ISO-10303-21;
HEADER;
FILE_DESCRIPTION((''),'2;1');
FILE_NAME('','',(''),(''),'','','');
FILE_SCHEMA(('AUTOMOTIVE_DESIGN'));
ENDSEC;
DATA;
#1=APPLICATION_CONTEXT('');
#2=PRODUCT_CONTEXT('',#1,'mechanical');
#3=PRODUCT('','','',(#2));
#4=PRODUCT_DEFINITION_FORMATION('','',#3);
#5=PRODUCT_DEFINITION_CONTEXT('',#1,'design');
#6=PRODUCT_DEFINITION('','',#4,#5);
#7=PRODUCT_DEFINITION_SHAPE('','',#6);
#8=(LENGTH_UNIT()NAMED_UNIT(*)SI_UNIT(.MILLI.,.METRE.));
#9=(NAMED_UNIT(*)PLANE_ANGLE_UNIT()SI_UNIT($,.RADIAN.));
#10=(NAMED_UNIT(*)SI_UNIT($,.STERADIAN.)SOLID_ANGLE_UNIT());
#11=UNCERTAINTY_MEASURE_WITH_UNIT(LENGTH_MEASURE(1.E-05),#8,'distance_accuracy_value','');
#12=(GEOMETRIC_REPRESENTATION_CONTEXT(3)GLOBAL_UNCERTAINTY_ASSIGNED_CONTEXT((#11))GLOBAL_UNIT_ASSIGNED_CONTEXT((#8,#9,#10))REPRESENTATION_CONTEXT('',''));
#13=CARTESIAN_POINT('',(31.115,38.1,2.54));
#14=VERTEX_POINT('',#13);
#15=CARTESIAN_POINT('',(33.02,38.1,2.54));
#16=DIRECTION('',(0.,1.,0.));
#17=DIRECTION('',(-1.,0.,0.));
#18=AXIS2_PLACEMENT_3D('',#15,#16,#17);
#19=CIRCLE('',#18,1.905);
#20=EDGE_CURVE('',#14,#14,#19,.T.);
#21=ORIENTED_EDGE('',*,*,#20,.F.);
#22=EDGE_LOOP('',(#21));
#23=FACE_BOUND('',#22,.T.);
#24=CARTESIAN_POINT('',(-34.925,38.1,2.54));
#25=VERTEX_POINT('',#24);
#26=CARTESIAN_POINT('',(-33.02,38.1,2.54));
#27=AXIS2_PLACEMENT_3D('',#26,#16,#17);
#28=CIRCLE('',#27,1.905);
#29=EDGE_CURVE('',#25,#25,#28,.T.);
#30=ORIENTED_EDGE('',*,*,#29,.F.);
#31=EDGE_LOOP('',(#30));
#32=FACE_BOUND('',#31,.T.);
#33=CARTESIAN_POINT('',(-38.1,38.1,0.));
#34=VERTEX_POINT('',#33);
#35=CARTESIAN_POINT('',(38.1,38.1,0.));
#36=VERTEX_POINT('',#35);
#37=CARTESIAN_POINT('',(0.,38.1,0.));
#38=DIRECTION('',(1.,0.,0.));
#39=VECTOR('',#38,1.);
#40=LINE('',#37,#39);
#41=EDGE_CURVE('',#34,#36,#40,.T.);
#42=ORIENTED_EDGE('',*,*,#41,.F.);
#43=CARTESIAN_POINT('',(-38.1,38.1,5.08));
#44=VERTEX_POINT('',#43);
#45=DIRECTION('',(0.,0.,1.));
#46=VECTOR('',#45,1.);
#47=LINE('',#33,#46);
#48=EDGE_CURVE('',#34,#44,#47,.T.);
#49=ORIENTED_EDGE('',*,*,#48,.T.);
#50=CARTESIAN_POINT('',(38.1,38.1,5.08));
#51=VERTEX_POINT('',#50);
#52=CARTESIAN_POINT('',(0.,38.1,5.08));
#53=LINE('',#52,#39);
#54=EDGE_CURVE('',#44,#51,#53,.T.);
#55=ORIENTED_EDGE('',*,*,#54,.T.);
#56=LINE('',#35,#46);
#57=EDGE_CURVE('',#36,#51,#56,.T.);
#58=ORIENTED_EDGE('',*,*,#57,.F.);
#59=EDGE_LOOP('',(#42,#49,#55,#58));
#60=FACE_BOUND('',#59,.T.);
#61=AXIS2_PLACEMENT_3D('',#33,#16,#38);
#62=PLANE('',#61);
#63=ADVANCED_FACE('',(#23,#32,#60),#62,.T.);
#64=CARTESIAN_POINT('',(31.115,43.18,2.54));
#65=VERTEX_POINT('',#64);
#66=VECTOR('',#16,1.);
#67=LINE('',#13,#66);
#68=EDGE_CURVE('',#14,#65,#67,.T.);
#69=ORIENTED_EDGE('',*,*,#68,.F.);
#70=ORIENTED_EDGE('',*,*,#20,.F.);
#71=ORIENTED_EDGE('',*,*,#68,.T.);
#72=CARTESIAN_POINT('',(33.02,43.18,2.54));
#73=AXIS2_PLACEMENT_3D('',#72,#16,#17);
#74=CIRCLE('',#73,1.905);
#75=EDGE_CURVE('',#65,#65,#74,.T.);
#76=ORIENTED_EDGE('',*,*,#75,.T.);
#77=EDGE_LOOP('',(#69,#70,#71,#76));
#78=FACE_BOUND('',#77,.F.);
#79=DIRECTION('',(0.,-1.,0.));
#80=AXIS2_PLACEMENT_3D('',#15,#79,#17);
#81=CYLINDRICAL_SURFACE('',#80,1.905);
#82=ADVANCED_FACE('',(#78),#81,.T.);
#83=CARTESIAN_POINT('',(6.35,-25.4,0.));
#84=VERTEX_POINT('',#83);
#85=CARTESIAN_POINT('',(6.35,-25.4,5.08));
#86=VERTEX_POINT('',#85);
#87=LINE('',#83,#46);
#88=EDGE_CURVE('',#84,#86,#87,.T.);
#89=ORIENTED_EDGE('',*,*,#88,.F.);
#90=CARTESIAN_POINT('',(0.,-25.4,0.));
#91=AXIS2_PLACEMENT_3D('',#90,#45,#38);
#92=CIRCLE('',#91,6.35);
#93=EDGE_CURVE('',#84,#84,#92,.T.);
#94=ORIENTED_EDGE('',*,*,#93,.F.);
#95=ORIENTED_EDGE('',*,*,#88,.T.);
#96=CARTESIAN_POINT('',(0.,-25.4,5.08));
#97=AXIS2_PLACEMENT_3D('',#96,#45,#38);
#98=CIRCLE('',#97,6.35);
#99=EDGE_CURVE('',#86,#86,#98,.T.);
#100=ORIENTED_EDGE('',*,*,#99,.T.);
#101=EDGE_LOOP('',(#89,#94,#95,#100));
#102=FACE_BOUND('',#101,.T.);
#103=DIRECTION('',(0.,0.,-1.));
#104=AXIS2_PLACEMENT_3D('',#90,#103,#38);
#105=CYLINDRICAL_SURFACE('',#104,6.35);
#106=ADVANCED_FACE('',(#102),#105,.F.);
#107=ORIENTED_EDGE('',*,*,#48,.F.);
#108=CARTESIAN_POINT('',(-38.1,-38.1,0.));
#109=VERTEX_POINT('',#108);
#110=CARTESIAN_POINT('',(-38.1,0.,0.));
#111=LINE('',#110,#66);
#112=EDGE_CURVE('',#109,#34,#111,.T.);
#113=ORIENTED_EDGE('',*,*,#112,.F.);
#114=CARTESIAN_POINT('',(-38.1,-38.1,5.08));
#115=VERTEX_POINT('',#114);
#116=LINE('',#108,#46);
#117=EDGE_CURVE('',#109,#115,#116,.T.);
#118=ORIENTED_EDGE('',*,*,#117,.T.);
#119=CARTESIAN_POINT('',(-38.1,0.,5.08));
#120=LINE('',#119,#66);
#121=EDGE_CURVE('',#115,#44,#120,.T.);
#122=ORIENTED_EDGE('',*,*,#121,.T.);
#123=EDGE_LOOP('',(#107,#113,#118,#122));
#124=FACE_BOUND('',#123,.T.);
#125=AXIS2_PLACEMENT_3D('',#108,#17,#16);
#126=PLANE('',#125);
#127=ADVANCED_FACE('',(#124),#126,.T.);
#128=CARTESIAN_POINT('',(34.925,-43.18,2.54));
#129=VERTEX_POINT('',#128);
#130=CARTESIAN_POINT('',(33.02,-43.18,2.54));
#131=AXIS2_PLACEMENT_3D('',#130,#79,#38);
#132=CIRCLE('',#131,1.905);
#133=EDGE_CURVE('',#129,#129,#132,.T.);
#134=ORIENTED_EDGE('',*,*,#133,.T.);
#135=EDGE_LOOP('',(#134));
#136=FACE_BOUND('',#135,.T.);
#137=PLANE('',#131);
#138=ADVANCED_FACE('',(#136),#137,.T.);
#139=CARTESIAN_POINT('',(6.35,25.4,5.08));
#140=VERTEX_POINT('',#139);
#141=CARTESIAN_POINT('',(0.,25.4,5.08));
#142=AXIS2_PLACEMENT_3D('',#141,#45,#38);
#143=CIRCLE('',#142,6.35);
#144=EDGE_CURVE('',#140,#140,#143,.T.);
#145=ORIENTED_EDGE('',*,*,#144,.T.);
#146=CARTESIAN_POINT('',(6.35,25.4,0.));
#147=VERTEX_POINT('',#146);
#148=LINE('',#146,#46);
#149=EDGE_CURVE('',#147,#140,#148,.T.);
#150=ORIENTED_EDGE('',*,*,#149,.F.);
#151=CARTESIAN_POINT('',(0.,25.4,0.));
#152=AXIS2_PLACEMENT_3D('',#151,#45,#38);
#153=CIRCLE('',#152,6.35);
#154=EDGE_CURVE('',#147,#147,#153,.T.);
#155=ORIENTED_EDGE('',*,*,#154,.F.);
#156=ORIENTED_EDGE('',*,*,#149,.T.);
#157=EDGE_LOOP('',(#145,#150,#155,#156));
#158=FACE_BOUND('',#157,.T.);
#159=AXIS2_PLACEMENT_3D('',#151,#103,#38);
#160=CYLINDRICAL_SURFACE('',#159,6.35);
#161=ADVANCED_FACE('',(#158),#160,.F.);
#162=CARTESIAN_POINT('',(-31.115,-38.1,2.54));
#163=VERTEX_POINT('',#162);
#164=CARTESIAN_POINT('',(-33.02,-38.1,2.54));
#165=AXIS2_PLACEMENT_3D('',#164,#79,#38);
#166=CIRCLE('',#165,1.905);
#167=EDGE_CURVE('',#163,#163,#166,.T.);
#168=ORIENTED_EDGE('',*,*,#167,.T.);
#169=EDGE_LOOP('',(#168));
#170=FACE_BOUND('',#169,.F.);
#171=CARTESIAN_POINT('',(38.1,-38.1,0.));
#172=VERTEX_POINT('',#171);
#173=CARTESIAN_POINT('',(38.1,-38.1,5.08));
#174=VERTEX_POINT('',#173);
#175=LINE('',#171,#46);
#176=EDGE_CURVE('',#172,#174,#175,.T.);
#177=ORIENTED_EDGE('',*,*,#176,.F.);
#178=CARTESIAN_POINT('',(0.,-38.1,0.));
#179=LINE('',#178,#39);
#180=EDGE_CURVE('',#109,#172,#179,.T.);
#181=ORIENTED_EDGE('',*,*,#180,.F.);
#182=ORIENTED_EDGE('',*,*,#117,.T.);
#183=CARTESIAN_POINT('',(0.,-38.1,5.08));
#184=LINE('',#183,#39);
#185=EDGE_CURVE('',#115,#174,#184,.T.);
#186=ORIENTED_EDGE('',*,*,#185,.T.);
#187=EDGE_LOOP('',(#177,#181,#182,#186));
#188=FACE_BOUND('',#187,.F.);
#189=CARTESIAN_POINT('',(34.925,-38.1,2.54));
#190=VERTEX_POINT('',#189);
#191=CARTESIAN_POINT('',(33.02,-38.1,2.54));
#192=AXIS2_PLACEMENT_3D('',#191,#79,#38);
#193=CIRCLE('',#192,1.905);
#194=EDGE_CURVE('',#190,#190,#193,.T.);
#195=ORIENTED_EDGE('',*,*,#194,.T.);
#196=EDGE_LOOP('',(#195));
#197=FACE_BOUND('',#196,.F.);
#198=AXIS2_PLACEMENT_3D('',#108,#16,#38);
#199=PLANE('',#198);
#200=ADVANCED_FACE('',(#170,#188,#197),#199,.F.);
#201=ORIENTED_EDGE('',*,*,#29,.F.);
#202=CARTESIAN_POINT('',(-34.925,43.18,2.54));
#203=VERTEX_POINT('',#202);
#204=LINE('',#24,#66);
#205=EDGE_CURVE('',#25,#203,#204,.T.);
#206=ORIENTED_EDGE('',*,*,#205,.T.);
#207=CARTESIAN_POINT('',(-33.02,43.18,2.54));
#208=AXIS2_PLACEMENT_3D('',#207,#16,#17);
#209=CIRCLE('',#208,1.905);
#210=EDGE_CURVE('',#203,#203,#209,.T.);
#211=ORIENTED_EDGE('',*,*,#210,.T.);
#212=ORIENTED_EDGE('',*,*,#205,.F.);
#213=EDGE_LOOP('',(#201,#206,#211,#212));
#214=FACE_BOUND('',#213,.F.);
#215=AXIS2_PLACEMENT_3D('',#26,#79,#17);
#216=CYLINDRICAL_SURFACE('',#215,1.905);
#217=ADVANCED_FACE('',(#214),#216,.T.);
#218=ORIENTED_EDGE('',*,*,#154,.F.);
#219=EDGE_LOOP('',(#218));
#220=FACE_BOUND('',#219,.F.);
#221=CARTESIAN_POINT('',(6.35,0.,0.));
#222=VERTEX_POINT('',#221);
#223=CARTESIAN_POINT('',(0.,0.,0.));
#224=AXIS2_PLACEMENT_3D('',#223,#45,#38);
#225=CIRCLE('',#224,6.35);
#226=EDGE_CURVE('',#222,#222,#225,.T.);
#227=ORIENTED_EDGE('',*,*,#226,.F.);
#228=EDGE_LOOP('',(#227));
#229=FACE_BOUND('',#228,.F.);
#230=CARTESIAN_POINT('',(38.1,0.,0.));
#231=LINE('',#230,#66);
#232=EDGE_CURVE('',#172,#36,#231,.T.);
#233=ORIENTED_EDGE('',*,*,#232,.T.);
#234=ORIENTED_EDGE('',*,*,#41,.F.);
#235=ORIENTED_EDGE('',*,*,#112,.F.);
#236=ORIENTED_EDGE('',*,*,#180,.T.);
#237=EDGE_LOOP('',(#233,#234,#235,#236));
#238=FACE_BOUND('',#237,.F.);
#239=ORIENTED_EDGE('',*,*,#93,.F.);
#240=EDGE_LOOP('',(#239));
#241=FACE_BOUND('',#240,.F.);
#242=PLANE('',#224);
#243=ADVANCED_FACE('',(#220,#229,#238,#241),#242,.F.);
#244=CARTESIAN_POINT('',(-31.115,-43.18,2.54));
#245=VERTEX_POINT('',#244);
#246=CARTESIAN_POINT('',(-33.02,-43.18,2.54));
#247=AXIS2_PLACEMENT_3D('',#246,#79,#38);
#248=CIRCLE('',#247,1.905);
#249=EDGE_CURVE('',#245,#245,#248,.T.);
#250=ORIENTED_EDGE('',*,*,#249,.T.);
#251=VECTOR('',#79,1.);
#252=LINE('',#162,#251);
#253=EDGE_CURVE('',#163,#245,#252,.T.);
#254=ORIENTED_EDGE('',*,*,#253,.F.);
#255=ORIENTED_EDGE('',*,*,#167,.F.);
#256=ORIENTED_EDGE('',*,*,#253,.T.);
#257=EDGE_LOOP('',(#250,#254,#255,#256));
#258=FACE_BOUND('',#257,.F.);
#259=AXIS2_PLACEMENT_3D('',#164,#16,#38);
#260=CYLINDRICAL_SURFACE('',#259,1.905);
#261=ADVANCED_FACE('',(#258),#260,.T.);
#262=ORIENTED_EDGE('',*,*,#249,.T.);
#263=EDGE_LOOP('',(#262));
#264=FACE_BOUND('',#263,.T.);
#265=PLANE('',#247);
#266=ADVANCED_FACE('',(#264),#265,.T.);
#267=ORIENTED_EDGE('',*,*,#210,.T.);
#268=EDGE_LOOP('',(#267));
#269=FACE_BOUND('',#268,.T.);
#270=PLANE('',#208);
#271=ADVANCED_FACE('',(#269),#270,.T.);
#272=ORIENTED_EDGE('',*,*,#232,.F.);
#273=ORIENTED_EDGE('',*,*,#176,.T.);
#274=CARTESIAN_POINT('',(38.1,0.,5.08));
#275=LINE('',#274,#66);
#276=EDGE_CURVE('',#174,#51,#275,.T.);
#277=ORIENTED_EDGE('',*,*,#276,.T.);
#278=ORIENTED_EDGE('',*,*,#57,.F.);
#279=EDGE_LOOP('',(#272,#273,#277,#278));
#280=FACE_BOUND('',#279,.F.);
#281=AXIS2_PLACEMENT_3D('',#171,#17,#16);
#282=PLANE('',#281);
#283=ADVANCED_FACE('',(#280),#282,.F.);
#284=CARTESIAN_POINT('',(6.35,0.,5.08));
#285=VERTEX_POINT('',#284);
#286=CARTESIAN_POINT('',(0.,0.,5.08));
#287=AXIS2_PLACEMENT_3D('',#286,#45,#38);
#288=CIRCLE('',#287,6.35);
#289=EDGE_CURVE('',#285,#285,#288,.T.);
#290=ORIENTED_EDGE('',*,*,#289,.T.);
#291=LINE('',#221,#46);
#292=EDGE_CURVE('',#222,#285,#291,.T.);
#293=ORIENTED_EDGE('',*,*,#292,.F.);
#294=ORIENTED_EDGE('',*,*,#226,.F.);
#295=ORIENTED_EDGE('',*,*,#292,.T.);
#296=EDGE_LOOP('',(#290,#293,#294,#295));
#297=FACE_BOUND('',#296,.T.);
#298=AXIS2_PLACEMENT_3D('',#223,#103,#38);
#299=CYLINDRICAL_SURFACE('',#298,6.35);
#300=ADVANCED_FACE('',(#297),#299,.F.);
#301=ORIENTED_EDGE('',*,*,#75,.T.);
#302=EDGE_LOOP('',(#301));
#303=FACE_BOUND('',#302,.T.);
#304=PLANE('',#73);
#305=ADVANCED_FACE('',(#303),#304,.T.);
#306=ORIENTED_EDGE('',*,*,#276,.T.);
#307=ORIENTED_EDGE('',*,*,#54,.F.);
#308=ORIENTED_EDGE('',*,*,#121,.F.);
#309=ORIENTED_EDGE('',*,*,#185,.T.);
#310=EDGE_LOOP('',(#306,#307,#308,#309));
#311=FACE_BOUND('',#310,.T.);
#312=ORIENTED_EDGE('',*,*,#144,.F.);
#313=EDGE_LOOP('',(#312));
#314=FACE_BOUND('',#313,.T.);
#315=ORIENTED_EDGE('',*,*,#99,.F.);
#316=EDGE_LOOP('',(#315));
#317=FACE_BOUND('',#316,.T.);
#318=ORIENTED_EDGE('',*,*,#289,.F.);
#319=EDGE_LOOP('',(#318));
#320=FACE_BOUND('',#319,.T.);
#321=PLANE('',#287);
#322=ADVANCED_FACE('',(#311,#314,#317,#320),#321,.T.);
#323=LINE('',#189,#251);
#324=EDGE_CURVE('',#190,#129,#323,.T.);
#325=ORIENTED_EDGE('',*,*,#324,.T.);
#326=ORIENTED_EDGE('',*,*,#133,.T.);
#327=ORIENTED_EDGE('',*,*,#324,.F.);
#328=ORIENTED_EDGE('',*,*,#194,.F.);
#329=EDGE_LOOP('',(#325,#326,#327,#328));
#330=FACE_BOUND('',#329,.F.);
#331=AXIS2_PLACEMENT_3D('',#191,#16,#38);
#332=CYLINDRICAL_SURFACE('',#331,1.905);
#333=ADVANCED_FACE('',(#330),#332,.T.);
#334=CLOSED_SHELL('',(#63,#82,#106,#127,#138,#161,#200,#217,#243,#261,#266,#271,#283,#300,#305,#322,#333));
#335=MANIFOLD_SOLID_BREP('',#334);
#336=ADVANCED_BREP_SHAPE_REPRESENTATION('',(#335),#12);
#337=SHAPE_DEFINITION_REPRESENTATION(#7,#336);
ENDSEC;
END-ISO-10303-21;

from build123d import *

# Parameters (mm, degrees)
F0_W     = 76.2
F0_H     = 76.2
F0_R     = 6.35
F1_DEPTH = 5.08
F2_R     = 1.905
F3_DEPTH = 5.08
F4_R     = 1.905
F5_DEPTH = 5.08


with BuildPart() as f1:
    # F0 (on Top) → F1 (new body)
    with BuildSketch(Plane.XY):
        Rectangle(F0_W, F0_H)
        with Locations((0, -25.4)):
            Circle(F0_R, mode=Mode.SUBTRACT)
        Circle(F0_R, mode=Mode.SUBTRACT)
        with Locations((0, 25.4)):
            Circle(F0_R, mode=Mode.SUBTRACT)
    extrude(amount=F1_DEPTH)

    # F2 (on face) → F3 (join)
    with BuildSketch(Plane.XZ.offset(38.1)):
        with Locations((-33.02, 2.54)):
            Circle(F2_R)
        with Locations((33.02, 2.54)):
            Circle(F2_R)
    extrude(amount=F3_DEPTH)

    # F4 (on face) → F5 (join)
    with BuildSketch(Plane(origin=(0, 38.1, 0), x_dir=(-1, 0, 0), z_dir=(0, 1, 0))):
        with Locations((-33.02, 2.54)):
            Circle(F4_R)
        with Locations((33.02, 2.54)):
            Circle(F4_R)
    extrude(amount=F5_DEPTH)


solid = f1.part
